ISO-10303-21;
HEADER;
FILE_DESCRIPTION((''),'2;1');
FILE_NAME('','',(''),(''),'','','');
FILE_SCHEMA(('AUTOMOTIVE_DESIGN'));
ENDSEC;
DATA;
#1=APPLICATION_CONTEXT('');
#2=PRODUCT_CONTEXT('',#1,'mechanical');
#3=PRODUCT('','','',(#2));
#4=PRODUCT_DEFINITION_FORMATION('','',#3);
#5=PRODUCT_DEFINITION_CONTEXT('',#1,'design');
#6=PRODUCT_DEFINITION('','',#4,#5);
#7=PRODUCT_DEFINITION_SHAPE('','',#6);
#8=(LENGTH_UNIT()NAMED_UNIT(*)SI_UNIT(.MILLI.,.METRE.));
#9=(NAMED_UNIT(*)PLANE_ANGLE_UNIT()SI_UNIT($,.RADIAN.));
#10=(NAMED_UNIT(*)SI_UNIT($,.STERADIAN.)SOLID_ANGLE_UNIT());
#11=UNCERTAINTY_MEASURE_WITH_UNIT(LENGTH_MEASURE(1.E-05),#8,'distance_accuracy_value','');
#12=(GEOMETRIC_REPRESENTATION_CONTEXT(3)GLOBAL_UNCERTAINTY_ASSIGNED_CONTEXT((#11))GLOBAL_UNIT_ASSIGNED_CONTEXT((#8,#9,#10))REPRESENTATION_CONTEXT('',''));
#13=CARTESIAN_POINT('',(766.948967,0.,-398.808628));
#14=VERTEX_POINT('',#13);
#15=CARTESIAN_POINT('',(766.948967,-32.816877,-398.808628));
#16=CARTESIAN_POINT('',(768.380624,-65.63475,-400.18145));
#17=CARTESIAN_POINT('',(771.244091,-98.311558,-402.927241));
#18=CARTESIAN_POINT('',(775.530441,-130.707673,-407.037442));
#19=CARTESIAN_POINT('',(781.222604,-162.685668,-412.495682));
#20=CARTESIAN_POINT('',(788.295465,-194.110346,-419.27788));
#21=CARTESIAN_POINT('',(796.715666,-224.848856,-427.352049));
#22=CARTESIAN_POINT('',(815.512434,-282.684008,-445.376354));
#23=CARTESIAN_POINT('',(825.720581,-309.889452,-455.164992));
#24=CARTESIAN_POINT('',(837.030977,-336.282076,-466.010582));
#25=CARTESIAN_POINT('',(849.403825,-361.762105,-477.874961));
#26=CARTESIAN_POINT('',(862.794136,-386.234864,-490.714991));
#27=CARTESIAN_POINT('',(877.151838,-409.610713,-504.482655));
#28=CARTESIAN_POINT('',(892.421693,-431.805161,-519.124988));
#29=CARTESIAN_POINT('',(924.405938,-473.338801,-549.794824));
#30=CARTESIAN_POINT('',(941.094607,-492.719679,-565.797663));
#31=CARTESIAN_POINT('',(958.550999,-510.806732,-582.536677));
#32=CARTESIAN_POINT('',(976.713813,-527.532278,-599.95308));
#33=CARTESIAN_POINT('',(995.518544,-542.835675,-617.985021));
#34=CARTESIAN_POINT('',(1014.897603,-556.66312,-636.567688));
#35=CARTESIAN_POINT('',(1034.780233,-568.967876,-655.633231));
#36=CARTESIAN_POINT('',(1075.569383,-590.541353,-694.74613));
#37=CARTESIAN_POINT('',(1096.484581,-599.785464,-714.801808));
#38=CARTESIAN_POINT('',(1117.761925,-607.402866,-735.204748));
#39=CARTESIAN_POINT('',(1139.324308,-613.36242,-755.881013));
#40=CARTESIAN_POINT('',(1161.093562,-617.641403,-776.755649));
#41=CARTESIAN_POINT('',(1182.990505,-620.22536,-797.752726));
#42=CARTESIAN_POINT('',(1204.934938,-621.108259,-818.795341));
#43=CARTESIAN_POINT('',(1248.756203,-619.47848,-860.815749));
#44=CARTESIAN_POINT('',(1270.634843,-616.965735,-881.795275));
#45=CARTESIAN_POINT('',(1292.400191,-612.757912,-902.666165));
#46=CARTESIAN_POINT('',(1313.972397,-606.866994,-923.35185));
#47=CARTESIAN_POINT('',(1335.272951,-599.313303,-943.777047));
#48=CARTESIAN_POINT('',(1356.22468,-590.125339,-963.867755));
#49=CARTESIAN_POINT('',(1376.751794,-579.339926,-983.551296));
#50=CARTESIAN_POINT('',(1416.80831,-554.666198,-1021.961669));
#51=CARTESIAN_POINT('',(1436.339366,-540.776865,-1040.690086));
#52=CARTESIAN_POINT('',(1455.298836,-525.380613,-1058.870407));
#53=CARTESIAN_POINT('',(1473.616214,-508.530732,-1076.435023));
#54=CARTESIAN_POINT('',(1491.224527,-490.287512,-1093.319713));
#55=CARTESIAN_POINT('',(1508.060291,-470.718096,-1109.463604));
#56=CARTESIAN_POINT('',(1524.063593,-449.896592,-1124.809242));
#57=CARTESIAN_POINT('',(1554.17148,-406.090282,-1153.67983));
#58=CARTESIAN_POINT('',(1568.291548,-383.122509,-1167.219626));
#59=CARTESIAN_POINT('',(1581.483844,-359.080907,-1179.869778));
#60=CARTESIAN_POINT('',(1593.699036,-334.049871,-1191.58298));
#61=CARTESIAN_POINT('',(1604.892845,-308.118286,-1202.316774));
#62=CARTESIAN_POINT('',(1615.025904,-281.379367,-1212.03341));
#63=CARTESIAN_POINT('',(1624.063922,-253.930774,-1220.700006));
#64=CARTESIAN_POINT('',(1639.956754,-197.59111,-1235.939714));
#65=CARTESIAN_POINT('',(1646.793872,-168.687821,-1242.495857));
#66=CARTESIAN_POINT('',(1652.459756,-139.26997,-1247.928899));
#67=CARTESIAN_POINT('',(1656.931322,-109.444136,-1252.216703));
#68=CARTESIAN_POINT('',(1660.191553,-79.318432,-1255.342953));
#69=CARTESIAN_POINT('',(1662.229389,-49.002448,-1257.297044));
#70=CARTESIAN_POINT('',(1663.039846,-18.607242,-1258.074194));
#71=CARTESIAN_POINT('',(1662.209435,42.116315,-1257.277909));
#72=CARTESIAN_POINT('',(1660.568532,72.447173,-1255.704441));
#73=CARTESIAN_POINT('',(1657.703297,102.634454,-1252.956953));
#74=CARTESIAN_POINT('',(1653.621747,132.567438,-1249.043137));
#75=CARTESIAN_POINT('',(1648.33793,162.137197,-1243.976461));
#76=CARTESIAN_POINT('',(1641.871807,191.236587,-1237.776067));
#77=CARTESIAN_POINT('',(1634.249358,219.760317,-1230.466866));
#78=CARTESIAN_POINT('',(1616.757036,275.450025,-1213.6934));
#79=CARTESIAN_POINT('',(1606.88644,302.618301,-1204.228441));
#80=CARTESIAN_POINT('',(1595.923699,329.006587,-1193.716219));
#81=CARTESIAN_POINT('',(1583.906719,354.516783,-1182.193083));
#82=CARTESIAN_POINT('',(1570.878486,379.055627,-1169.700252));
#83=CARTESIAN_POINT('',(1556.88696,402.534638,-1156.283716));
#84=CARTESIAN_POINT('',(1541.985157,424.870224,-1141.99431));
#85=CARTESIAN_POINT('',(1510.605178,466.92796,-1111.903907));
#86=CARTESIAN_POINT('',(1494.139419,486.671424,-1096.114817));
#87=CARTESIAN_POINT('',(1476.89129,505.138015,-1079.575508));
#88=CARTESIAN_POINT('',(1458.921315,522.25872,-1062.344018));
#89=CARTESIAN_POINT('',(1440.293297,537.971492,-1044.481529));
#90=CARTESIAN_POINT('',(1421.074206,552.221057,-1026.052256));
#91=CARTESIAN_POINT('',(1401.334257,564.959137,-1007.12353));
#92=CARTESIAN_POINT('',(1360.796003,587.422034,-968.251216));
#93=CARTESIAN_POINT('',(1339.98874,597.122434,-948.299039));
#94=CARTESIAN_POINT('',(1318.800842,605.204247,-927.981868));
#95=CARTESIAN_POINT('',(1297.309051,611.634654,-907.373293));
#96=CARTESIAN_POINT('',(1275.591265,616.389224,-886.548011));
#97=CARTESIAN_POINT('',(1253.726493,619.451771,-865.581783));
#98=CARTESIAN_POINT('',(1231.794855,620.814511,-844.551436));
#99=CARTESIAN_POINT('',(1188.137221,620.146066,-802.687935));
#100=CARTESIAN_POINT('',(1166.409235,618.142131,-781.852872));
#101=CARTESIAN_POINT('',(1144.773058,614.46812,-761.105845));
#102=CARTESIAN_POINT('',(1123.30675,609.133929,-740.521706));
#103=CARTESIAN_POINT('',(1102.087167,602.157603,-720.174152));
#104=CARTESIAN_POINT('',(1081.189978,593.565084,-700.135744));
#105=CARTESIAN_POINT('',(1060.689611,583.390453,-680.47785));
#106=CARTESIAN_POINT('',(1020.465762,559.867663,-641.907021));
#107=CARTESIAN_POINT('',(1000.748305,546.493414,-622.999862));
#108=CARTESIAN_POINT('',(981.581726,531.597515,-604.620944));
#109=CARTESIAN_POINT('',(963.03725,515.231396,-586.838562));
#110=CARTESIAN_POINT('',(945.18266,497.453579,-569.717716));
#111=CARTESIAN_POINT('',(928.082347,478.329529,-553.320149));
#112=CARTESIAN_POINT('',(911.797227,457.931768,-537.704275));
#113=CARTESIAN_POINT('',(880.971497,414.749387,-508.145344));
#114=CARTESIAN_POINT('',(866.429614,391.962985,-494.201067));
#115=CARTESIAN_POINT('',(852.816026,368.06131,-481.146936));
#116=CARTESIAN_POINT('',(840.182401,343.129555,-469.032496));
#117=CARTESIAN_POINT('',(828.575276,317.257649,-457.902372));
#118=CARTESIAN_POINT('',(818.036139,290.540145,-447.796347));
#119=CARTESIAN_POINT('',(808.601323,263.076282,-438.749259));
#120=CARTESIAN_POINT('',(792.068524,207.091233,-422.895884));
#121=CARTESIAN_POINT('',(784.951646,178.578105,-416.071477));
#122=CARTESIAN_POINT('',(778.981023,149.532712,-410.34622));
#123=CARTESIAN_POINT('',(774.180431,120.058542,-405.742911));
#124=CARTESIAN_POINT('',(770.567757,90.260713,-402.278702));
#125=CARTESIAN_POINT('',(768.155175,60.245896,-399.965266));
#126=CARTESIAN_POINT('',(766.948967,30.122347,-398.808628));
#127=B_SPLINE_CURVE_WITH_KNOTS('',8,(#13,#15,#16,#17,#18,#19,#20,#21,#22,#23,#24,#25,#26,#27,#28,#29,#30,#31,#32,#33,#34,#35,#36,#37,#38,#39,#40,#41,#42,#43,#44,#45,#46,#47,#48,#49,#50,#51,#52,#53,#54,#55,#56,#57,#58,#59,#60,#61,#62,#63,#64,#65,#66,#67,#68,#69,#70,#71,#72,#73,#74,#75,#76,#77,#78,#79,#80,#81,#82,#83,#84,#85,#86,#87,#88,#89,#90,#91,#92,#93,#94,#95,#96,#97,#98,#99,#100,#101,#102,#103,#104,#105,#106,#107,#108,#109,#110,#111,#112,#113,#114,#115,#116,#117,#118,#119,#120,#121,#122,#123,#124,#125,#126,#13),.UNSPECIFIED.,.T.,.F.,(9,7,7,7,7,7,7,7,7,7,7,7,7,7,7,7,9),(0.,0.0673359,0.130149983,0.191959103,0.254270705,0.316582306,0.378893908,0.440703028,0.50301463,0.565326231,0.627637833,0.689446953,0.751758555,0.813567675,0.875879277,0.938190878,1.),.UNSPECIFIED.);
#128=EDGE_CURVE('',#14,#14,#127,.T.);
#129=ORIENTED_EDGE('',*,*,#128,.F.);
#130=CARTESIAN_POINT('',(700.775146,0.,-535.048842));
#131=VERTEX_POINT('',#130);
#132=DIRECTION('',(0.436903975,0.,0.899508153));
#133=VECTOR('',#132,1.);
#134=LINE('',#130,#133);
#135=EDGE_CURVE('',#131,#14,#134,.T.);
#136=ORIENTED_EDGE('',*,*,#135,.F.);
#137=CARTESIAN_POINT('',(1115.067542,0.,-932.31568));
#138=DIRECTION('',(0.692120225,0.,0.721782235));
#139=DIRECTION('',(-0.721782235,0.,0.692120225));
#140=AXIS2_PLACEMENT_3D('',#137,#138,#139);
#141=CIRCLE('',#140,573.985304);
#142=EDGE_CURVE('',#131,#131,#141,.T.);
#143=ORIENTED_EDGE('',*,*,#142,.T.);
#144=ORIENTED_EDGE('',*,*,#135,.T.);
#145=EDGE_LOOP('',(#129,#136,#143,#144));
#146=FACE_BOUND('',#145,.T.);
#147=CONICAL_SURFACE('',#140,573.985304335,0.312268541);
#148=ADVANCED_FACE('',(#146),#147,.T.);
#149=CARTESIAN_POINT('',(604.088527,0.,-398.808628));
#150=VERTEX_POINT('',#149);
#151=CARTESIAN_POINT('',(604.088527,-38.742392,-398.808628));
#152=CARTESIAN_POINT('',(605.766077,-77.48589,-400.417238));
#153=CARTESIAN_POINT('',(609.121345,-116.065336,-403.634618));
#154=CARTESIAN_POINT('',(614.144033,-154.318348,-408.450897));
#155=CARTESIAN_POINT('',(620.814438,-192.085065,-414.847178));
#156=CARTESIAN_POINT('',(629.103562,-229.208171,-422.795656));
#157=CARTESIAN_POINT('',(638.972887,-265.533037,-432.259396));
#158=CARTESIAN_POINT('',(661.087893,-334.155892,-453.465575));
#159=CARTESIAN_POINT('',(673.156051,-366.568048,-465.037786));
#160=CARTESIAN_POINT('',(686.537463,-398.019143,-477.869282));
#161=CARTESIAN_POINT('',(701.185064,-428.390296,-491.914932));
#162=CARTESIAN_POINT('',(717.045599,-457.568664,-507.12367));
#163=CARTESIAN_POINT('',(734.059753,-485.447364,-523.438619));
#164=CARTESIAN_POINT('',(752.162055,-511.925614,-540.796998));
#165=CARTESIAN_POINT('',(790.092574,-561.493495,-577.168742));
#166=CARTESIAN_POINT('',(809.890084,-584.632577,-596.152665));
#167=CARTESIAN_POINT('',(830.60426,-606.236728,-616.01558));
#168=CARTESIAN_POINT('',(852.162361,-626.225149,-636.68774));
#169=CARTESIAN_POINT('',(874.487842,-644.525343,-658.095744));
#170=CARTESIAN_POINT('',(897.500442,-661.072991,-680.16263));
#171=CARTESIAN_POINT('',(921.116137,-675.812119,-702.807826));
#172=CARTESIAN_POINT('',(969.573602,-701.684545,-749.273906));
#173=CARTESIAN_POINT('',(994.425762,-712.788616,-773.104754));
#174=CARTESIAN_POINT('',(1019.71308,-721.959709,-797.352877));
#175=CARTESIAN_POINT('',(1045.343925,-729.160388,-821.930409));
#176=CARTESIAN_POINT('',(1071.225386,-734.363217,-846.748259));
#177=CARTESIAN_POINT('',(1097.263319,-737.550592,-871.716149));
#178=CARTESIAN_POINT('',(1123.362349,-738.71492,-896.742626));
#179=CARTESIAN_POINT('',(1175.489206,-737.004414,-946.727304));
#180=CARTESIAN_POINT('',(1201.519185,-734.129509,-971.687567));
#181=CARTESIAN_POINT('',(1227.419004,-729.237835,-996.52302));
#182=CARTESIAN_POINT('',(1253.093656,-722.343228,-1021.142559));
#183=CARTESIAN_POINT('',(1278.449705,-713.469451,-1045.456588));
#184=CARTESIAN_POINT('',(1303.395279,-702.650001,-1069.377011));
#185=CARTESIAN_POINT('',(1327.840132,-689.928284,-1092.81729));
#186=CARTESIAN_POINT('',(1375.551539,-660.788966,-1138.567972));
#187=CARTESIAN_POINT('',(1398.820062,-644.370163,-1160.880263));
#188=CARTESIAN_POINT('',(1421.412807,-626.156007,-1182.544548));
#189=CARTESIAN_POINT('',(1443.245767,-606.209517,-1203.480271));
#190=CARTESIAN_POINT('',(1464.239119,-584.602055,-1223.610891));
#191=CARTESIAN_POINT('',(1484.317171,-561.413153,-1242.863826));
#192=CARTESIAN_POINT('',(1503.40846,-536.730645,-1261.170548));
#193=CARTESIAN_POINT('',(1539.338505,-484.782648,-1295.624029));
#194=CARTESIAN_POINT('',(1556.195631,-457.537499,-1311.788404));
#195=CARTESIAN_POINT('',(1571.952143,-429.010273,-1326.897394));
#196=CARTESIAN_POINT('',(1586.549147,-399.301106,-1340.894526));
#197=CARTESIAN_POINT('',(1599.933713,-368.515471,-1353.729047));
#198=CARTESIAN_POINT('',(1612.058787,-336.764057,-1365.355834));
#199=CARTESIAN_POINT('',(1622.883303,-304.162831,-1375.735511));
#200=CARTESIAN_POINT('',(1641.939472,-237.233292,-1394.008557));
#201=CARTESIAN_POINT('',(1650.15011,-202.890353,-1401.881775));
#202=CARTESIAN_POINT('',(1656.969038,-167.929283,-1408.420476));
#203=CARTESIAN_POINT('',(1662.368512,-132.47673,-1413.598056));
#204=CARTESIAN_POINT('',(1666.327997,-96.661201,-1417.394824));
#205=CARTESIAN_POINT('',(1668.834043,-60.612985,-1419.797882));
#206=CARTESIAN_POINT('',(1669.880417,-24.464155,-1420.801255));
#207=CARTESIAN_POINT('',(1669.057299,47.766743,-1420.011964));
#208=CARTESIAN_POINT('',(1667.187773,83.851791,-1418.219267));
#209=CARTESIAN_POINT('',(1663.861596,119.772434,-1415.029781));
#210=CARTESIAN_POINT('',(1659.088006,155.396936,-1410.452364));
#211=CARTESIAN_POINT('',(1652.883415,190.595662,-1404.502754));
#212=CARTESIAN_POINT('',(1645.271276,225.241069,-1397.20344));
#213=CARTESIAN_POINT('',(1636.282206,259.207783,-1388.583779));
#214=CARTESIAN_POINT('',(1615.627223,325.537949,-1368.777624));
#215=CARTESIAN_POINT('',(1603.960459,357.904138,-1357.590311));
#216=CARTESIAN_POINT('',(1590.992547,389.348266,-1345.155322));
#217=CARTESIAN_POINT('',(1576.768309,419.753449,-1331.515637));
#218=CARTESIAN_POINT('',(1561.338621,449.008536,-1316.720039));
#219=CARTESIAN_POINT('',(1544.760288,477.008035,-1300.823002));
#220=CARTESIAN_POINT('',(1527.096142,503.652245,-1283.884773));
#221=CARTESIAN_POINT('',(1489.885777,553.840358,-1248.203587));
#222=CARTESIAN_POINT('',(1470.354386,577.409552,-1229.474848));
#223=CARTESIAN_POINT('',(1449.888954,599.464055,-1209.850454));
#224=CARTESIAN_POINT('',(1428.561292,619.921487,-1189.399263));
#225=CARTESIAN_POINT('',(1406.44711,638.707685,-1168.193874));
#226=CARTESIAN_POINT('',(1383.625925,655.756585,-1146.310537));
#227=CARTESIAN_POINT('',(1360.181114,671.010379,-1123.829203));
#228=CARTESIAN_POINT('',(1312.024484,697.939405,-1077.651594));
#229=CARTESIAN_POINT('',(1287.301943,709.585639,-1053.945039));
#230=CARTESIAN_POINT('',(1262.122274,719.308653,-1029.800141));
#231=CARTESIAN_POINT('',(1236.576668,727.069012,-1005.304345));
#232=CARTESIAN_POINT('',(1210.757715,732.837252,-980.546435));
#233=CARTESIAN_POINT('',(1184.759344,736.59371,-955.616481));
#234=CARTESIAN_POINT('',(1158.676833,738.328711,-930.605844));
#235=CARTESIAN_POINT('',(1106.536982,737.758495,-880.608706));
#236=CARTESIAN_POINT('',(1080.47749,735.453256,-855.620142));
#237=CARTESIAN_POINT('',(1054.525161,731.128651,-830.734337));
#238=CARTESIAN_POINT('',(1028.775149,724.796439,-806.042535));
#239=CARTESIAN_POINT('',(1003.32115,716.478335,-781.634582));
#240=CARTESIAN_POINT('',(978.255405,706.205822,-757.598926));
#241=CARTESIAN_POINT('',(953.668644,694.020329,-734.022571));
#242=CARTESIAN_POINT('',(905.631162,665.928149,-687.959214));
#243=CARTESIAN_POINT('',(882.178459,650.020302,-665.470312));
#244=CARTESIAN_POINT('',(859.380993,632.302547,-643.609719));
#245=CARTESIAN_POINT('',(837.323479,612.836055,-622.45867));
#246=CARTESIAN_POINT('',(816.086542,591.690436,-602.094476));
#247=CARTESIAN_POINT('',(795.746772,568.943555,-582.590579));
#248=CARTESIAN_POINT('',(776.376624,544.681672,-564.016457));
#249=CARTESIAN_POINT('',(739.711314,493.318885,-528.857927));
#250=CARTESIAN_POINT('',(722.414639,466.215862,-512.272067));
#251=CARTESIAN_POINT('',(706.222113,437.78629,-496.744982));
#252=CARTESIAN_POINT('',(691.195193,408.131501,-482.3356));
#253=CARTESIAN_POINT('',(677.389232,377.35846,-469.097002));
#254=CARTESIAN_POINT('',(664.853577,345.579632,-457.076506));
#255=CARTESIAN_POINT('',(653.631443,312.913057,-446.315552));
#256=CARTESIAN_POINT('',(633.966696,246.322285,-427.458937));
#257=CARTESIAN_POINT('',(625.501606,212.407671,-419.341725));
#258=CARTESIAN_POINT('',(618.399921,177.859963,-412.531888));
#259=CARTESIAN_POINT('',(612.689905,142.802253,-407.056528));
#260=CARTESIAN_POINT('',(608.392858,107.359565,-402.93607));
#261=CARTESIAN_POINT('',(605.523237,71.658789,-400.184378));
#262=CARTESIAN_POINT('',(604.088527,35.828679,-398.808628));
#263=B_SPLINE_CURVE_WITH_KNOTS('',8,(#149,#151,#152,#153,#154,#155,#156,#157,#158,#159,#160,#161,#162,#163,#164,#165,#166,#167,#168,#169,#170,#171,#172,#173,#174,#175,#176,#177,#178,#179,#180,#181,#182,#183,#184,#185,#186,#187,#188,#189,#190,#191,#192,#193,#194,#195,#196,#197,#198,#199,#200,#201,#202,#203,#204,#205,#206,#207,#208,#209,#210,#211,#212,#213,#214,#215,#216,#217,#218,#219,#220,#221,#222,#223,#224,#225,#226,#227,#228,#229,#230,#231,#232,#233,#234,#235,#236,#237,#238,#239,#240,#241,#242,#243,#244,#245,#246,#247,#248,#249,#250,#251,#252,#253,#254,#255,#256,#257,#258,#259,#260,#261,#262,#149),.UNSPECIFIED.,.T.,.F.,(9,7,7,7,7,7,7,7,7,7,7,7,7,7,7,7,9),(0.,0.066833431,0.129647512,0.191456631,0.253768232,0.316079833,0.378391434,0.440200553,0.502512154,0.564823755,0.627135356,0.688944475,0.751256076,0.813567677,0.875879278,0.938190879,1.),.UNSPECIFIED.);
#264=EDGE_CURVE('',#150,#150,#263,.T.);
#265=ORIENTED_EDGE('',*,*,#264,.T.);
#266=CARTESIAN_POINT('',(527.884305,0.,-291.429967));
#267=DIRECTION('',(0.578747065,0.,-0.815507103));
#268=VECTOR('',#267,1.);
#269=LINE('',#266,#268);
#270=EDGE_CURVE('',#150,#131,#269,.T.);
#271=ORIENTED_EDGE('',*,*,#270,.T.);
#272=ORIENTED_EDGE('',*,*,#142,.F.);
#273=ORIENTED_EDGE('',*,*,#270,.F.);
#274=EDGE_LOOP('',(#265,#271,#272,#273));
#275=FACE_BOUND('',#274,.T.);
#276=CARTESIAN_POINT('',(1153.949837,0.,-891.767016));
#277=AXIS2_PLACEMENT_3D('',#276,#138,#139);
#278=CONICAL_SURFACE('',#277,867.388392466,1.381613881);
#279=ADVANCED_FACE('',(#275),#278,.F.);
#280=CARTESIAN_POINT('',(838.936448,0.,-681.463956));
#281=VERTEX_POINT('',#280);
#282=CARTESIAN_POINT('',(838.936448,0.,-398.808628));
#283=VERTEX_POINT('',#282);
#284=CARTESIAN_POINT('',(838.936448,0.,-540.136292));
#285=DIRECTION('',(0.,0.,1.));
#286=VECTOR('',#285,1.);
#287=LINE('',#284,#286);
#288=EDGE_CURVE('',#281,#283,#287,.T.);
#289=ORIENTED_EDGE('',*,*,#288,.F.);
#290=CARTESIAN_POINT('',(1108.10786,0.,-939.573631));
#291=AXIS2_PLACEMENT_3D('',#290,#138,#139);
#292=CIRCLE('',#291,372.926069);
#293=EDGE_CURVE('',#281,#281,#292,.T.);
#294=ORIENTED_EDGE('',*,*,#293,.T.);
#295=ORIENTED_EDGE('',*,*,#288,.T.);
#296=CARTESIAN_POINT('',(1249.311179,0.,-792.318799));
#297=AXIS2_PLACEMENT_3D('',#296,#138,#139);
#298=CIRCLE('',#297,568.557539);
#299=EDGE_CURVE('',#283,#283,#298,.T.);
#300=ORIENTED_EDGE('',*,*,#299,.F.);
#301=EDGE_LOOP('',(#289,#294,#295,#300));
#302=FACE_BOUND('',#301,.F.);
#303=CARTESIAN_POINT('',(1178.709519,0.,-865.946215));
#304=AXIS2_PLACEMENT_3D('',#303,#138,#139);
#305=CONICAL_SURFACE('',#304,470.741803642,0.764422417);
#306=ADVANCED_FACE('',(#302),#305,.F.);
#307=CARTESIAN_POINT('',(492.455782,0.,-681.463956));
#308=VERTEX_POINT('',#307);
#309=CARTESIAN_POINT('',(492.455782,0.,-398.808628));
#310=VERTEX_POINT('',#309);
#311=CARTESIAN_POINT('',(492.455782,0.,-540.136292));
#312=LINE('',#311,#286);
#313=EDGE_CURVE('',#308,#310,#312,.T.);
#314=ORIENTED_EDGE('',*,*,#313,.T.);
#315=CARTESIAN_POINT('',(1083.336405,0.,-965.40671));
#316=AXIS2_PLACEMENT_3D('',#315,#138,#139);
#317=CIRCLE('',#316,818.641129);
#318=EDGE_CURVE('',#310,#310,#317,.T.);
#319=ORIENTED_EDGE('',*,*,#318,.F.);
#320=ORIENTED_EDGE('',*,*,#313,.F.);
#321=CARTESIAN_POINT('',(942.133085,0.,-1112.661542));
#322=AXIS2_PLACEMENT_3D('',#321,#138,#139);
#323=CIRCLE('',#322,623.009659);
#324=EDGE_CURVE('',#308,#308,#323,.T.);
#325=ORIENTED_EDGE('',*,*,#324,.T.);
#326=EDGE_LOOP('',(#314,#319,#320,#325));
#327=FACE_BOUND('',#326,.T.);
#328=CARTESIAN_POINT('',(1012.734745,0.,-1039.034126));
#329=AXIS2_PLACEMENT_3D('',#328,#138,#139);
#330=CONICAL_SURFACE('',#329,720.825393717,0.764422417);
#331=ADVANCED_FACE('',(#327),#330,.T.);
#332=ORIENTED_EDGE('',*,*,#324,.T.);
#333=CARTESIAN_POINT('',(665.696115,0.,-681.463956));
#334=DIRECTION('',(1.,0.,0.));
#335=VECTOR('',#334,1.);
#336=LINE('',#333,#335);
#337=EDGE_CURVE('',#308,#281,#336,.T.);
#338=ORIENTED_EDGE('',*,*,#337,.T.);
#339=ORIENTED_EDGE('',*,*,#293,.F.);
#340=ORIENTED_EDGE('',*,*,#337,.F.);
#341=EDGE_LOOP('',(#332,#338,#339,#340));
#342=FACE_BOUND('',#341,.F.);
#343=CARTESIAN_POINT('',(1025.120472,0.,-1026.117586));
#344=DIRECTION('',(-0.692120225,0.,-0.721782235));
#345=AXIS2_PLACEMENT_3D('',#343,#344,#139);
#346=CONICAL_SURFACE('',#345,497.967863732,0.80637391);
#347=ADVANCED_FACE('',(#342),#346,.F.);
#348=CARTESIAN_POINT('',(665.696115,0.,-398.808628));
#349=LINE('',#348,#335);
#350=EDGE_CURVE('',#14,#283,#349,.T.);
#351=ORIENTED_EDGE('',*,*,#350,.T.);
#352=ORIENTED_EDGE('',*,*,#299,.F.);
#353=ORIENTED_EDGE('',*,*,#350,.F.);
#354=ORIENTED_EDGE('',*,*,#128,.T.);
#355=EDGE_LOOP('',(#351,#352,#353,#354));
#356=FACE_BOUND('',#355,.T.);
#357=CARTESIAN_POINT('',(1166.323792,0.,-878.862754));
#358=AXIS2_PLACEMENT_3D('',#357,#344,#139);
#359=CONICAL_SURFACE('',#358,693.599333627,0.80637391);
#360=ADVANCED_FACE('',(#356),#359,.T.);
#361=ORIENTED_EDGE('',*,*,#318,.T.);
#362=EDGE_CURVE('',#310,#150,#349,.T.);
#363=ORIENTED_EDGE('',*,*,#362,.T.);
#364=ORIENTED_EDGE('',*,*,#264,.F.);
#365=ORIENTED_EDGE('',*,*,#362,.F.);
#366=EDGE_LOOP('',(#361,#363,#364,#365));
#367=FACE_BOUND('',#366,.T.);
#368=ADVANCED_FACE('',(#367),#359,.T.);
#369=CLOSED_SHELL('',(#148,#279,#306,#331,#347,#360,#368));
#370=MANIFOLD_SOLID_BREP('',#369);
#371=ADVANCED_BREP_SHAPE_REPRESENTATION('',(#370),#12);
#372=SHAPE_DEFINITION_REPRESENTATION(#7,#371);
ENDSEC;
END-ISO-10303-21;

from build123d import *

# Parameters (mm, degrees)
F0_W = 346.480667
F0_H = 282.655329


with BuildPart() as f1:
    # F0 (on Front) → F1 (revolve)
    with BuildSketch(Plane.XZ):
        with Locations((665.696115, -540.136292)):
            Rectangle(F0_W, F0_H)
    revolve(axis=Axis((1232.59612, 0, -809.750211), (0.69212, 0, 0.721782)))

    # F2 (on Front) → F3 (revolve, cut)
    with BuildSketch(Plane.XZ):
        Polygon((834.37258, -259.995311), (527.884305, -291.429967), (700.775146, -535.048842), align=None)
    revolve(axis=Axis((1232.59612, 0, -809.750211), (0.69212, 0, 0.721782)), mode=Mode.SUBTRACT)


solid = f1.part
